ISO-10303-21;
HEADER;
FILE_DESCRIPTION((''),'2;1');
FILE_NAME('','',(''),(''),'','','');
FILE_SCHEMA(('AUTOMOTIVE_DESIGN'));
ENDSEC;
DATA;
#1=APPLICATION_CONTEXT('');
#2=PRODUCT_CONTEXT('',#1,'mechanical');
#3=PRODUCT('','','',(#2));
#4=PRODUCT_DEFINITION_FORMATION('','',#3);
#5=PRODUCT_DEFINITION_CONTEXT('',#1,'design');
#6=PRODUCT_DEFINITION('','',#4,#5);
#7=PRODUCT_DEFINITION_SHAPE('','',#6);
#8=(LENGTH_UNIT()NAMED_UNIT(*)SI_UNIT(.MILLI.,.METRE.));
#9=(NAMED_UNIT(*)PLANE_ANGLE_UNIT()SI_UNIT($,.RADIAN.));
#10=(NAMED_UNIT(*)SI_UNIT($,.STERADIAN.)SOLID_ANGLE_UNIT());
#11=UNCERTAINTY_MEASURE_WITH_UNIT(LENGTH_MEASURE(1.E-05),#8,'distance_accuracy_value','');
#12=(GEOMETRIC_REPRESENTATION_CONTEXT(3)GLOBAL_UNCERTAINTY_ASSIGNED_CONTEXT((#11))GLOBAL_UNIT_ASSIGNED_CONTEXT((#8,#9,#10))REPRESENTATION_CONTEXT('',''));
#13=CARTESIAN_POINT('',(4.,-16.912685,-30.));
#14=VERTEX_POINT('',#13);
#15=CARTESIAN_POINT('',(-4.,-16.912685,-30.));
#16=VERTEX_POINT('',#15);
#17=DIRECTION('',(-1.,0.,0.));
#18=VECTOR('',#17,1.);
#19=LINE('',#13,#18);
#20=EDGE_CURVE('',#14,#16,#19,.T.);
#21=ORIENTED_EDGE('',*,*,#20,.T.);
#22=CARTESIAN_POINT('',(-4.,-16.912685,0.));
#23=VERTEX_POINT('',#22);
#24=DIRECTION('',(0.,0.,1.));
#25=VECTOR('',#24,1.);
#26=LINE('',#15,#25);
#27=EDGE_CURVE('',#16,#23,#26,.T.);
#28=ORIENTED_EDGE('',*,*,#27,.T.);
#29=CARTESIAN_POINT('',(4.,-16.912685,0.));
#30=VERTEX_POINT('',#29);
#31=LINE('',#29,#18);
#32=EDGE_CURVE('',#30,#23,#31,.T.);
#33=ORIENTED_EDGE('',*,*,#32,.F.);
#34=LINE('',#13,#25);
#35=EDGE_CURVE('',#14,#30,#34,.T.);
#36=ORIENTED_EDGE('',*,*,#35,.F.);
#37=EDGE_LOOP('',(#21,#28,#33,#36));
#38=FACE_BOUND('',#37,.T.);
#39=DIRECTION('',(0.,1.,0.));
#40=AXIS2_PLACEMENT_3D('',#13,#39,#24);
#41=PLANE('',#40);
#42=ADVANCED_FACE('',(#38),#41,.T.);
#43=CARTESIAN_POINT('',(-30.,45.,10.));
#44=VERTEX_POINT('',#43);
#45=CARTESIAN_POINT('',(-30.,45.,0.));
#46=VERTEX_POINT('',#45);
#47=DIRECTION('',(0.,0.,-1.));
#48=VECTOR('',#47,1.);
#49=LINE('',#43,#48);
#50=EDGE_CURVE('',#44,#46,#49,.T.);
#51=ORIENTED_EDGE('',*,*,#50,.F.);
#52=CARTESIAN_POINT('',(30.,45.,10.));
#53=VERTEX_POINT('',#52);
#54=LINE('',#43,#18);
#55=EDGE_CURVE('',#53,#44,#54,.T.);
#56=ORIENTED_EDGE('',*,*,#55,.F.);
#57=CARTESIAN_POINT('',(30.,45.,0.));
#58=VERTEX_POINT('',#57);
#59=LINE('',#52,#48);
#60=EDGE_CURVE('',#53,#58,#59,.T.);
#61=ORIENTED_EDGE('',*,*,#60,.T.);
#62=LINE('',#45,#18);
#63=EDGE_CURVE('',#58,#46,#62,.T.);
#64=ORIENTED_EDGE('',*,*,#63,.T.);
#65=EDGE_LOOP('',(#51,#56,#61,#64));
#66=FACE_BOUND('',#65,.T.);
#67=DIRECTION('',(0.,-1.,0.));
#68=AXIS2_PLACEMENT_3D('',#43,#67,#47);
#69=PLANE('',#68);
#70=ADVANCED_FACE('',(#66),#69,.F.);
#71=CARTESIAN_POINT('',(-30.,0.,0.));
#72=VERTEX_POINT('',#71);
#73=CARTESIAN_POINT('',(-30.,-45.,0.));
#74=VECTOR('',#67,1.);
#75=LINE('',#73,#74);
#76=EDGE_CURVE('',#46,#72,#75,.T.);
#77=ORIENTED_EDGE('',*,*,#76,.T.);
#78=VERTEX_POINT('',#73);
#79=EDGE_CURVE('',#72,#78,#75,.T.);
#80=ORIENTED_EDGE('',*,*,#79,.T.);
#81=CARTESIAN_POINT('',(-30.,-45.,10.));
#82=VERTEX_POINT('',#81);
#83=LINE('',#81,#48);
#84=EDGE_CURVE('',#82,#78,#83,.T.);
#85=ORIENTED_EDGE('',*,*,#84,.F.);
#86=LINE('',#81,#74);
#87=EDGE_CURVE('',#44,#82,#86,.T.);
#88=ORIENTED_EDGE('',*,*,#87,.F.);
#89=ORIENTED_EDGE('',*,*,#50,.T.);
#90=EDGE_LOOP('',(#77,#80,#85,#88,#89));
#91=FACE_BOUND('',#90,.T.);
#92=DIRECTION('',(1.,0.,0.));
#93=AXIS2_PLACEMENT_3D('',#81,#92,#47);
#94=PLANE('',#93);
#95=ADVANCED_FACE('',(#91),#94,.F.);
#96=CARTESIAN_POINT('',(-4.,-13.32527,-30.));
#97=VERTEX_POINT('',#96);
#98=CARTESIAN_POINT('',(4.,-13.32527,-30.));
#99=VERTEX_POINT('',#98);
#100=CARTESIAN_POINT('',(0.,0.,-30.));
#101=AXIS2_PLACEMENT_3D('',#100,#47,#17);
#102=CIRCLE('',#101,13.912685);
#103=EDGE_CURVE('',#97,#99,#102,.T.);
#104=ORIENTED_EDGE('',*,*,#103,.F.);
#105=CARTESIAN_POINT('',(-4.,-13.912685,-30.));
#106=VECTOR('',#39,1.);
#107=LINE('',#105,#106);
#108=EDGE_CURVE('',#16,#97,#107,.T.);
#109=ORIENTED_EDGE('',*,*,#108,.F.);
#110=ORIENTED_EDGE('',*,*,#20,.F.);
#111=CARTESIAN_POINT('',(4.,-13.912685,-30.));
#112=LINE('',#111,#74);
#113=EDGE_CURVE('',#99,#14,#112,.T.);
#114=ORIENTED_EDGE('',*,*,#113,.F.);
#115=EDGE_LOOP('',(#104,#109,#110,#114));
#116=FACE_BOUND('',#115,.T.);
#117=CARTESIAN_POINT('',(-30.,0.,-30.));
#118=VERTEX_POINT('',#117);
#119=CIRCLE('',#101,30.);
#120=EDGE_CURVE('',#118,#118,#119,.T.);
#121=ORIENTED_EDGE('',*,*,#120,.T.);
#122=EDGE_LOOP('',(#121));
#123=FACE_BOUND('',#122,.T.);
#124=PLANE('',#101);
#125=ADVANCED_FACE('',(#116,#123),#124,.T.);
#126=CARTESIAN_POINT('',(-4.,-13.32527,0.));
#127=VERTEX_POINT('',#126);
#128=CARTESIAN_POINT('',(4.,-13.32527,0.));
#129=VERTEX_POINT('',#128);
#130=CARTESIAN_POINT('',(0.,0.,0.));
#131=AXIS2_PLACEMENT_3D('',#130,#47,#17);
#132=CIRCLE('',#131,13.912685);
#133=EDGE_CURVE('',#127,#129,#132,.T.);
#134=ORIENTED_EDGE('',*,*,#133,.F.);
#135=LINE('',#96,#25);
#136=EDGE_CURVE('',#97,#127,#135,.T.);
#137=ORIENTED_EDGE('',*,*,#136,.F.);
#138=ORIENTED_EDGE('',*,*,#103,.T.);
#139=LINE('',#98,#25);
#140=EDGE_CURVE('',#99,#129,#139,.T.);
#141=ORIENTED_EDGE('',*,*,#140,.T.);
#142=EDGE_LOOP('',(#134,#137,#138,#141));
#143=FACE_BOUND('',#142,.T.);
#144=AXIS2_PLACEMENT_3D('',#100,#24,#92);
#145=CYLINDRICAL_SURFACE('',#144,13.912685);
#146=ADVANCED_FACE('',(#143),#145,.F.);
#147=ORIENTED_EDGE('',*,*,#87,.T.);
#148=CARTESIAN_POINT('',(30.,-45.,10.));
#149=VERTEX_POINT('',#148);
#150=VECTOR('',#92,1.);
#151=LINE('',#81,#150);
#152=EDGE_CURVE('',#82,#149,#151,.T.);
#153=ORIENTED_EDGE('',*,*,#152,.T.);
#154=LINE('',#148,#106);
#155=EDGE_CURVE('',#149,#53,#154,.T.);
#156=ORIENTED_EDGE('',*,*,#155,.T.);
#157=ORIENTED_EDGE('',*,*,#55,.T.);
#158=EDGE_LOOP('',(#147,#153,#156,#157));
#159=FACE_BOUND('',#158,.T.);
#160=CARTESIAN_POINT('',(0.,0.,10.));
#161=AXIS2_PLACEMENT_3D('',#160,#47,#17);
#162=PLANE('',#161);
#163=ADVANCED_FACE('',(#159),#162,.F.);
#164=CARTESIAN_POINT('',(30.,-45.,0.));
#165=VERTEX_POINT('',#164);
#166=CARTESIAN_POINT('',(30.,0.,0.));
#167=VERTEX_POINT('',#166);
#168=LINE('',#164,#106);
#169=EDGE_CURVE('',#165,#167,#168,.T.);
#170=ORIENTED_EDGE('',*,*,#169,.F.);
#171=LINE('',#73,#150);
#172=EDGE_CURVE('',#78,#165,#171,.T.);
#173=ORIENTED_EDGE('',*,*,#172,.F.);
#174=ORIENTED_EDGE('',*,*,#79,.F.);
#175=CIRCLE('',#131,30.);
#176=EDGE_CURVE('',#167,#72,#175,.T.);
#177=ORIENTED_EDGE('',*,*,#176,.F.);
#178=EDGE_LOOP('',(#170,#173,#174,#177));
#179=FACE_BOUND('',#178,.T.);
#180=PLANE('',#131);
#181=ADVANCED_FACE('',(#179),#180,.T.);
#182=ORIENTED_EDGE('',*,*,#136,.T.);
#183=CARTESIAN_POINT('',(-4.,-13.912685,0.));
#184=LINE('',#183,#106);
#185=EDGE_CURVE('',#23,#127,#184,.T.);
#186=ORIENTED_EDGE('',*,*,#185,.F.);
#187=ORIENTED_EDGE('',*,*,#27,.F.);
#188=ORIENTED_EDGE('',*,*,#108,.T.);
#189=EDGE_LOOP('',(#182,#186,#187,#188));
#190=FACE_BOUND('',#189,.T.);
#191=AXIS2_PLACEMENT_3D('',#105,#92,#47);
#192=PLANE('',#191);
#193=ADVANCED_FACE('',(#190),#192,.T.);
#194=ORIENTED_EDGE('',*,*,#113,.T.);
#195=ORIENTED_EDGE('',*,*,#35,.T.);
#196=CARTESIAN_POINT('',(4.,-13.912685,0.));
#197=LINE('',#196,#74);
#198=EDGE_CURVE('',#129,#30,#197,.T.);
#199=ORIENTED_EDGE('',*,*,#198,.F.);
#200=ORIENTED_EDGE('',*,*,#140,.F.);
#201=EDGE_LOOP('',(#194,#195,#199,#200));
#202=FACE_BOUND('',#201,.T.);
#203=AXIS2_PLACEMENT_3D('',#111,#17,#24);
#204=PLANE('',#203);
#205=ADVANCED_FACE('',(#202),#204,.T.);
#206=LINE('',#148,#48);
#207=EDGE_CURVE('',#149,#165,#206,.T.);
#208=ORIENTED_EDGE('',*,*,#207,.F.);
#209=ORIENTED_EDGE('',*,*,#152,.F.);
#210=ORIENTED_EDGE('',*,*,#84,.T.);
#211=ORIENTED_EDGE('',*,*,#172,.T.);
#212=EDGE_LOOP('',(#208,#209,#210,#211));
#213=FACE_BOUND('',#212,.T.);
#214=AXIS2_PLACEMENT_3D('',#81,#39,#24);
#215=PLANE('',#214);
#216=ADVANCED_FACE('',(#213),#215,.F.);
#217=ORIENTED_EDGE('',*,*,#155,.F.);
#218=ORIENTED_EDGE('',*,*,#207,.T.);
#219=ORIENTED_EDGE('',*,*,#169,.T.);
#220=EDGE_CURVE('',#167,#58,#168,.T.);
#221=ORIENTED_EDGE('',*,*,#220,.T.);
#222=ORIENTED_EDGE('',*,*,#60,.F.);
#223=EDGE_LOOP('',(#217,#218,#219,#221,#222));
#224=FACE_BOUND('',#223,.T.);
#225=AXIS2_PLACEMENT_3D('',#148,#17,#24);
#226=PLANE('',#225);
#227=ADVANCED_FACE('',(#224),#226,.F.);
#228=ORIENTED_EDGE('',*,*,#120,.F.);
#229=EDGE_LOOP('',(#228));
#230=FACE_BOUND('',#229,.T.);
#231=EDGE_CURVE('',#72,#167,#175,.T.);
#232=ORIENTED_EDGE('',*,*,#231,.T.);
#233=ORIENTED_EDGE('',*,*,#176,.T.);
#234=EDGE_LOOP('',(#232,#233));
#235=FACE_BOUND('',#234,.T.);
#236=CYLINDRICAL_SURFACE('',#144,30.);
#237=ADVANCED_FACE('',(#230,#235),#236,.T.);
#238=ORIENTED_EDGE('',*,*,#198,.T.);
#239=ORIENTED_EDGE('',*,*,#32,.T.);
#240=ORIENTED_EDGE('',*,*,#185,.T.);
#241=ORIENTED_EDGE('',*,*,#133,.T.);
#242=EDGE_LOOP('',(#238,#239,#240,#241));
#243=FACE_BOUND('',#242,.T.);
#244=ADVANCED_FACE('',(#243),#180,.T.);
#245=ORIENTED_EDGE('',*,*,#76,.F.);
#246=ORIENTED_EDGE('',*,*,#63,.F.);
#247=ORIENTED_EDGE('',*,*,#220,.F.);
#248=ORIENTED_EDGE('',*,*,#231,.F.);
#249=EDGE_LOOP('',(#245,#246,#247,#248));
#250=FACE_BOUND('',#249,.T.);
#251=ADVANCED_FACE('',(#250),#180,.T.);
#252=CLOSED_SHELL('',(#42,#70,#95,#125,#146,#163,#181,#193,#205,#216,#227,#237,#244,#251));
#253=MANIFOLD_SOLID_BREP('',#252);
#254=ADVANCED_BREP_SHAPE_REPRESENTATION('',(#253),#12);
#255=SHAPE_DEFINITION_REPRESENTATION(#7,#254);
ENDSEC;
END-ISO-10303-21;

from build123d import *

# Parameters (mm, degrees)
SKETCH1_W           = 60
SKETCH1_H           = 90
BOSS_EXTRUDE1_DEPTH = 10
SKETCH2_R           = 30
BOSS_EXTRUDE2_DEPTH = 30


with BuildPart() as part:
    # Sketch1 → Boss-Extrude1 (new body)
    with BuildSketch(Plane.XY):
        Rectangle(SKETCH1_W, SKETCH1_H)
    extrude(amount=BOSS_EXTRUDE1_DEPTH)

    # Sketch2 → Boss-Extrude2 (add)
    with BuildSketch(Plane(origin=(0, 0, 0), x_dir=(-1, 0, 0), z_dir=(0, 0, -1))):
        Circle(SKETCH2_R)
        with BuildLine():
            Line((4, -13.912685387), (4, -13.325269778))
            ThreePointArc((4, -13.325269778), (0, 13.912685387), (-4, -13.325269778))
            Line((-4, -13.325269778), (-4, -13.912685387))
            Line((-4, -13.912685387), (-4, -16.912685387))
            Line((-4, -16.912685387), (4, -16.912685387))
            Line((4, -16.912685387), (4, -13.912685387))
        make_face(mode=Mode.SUBTRACT)
    extrude(amount=BOSS_EXTRUDE2_DEPTH)


solid = part.part
